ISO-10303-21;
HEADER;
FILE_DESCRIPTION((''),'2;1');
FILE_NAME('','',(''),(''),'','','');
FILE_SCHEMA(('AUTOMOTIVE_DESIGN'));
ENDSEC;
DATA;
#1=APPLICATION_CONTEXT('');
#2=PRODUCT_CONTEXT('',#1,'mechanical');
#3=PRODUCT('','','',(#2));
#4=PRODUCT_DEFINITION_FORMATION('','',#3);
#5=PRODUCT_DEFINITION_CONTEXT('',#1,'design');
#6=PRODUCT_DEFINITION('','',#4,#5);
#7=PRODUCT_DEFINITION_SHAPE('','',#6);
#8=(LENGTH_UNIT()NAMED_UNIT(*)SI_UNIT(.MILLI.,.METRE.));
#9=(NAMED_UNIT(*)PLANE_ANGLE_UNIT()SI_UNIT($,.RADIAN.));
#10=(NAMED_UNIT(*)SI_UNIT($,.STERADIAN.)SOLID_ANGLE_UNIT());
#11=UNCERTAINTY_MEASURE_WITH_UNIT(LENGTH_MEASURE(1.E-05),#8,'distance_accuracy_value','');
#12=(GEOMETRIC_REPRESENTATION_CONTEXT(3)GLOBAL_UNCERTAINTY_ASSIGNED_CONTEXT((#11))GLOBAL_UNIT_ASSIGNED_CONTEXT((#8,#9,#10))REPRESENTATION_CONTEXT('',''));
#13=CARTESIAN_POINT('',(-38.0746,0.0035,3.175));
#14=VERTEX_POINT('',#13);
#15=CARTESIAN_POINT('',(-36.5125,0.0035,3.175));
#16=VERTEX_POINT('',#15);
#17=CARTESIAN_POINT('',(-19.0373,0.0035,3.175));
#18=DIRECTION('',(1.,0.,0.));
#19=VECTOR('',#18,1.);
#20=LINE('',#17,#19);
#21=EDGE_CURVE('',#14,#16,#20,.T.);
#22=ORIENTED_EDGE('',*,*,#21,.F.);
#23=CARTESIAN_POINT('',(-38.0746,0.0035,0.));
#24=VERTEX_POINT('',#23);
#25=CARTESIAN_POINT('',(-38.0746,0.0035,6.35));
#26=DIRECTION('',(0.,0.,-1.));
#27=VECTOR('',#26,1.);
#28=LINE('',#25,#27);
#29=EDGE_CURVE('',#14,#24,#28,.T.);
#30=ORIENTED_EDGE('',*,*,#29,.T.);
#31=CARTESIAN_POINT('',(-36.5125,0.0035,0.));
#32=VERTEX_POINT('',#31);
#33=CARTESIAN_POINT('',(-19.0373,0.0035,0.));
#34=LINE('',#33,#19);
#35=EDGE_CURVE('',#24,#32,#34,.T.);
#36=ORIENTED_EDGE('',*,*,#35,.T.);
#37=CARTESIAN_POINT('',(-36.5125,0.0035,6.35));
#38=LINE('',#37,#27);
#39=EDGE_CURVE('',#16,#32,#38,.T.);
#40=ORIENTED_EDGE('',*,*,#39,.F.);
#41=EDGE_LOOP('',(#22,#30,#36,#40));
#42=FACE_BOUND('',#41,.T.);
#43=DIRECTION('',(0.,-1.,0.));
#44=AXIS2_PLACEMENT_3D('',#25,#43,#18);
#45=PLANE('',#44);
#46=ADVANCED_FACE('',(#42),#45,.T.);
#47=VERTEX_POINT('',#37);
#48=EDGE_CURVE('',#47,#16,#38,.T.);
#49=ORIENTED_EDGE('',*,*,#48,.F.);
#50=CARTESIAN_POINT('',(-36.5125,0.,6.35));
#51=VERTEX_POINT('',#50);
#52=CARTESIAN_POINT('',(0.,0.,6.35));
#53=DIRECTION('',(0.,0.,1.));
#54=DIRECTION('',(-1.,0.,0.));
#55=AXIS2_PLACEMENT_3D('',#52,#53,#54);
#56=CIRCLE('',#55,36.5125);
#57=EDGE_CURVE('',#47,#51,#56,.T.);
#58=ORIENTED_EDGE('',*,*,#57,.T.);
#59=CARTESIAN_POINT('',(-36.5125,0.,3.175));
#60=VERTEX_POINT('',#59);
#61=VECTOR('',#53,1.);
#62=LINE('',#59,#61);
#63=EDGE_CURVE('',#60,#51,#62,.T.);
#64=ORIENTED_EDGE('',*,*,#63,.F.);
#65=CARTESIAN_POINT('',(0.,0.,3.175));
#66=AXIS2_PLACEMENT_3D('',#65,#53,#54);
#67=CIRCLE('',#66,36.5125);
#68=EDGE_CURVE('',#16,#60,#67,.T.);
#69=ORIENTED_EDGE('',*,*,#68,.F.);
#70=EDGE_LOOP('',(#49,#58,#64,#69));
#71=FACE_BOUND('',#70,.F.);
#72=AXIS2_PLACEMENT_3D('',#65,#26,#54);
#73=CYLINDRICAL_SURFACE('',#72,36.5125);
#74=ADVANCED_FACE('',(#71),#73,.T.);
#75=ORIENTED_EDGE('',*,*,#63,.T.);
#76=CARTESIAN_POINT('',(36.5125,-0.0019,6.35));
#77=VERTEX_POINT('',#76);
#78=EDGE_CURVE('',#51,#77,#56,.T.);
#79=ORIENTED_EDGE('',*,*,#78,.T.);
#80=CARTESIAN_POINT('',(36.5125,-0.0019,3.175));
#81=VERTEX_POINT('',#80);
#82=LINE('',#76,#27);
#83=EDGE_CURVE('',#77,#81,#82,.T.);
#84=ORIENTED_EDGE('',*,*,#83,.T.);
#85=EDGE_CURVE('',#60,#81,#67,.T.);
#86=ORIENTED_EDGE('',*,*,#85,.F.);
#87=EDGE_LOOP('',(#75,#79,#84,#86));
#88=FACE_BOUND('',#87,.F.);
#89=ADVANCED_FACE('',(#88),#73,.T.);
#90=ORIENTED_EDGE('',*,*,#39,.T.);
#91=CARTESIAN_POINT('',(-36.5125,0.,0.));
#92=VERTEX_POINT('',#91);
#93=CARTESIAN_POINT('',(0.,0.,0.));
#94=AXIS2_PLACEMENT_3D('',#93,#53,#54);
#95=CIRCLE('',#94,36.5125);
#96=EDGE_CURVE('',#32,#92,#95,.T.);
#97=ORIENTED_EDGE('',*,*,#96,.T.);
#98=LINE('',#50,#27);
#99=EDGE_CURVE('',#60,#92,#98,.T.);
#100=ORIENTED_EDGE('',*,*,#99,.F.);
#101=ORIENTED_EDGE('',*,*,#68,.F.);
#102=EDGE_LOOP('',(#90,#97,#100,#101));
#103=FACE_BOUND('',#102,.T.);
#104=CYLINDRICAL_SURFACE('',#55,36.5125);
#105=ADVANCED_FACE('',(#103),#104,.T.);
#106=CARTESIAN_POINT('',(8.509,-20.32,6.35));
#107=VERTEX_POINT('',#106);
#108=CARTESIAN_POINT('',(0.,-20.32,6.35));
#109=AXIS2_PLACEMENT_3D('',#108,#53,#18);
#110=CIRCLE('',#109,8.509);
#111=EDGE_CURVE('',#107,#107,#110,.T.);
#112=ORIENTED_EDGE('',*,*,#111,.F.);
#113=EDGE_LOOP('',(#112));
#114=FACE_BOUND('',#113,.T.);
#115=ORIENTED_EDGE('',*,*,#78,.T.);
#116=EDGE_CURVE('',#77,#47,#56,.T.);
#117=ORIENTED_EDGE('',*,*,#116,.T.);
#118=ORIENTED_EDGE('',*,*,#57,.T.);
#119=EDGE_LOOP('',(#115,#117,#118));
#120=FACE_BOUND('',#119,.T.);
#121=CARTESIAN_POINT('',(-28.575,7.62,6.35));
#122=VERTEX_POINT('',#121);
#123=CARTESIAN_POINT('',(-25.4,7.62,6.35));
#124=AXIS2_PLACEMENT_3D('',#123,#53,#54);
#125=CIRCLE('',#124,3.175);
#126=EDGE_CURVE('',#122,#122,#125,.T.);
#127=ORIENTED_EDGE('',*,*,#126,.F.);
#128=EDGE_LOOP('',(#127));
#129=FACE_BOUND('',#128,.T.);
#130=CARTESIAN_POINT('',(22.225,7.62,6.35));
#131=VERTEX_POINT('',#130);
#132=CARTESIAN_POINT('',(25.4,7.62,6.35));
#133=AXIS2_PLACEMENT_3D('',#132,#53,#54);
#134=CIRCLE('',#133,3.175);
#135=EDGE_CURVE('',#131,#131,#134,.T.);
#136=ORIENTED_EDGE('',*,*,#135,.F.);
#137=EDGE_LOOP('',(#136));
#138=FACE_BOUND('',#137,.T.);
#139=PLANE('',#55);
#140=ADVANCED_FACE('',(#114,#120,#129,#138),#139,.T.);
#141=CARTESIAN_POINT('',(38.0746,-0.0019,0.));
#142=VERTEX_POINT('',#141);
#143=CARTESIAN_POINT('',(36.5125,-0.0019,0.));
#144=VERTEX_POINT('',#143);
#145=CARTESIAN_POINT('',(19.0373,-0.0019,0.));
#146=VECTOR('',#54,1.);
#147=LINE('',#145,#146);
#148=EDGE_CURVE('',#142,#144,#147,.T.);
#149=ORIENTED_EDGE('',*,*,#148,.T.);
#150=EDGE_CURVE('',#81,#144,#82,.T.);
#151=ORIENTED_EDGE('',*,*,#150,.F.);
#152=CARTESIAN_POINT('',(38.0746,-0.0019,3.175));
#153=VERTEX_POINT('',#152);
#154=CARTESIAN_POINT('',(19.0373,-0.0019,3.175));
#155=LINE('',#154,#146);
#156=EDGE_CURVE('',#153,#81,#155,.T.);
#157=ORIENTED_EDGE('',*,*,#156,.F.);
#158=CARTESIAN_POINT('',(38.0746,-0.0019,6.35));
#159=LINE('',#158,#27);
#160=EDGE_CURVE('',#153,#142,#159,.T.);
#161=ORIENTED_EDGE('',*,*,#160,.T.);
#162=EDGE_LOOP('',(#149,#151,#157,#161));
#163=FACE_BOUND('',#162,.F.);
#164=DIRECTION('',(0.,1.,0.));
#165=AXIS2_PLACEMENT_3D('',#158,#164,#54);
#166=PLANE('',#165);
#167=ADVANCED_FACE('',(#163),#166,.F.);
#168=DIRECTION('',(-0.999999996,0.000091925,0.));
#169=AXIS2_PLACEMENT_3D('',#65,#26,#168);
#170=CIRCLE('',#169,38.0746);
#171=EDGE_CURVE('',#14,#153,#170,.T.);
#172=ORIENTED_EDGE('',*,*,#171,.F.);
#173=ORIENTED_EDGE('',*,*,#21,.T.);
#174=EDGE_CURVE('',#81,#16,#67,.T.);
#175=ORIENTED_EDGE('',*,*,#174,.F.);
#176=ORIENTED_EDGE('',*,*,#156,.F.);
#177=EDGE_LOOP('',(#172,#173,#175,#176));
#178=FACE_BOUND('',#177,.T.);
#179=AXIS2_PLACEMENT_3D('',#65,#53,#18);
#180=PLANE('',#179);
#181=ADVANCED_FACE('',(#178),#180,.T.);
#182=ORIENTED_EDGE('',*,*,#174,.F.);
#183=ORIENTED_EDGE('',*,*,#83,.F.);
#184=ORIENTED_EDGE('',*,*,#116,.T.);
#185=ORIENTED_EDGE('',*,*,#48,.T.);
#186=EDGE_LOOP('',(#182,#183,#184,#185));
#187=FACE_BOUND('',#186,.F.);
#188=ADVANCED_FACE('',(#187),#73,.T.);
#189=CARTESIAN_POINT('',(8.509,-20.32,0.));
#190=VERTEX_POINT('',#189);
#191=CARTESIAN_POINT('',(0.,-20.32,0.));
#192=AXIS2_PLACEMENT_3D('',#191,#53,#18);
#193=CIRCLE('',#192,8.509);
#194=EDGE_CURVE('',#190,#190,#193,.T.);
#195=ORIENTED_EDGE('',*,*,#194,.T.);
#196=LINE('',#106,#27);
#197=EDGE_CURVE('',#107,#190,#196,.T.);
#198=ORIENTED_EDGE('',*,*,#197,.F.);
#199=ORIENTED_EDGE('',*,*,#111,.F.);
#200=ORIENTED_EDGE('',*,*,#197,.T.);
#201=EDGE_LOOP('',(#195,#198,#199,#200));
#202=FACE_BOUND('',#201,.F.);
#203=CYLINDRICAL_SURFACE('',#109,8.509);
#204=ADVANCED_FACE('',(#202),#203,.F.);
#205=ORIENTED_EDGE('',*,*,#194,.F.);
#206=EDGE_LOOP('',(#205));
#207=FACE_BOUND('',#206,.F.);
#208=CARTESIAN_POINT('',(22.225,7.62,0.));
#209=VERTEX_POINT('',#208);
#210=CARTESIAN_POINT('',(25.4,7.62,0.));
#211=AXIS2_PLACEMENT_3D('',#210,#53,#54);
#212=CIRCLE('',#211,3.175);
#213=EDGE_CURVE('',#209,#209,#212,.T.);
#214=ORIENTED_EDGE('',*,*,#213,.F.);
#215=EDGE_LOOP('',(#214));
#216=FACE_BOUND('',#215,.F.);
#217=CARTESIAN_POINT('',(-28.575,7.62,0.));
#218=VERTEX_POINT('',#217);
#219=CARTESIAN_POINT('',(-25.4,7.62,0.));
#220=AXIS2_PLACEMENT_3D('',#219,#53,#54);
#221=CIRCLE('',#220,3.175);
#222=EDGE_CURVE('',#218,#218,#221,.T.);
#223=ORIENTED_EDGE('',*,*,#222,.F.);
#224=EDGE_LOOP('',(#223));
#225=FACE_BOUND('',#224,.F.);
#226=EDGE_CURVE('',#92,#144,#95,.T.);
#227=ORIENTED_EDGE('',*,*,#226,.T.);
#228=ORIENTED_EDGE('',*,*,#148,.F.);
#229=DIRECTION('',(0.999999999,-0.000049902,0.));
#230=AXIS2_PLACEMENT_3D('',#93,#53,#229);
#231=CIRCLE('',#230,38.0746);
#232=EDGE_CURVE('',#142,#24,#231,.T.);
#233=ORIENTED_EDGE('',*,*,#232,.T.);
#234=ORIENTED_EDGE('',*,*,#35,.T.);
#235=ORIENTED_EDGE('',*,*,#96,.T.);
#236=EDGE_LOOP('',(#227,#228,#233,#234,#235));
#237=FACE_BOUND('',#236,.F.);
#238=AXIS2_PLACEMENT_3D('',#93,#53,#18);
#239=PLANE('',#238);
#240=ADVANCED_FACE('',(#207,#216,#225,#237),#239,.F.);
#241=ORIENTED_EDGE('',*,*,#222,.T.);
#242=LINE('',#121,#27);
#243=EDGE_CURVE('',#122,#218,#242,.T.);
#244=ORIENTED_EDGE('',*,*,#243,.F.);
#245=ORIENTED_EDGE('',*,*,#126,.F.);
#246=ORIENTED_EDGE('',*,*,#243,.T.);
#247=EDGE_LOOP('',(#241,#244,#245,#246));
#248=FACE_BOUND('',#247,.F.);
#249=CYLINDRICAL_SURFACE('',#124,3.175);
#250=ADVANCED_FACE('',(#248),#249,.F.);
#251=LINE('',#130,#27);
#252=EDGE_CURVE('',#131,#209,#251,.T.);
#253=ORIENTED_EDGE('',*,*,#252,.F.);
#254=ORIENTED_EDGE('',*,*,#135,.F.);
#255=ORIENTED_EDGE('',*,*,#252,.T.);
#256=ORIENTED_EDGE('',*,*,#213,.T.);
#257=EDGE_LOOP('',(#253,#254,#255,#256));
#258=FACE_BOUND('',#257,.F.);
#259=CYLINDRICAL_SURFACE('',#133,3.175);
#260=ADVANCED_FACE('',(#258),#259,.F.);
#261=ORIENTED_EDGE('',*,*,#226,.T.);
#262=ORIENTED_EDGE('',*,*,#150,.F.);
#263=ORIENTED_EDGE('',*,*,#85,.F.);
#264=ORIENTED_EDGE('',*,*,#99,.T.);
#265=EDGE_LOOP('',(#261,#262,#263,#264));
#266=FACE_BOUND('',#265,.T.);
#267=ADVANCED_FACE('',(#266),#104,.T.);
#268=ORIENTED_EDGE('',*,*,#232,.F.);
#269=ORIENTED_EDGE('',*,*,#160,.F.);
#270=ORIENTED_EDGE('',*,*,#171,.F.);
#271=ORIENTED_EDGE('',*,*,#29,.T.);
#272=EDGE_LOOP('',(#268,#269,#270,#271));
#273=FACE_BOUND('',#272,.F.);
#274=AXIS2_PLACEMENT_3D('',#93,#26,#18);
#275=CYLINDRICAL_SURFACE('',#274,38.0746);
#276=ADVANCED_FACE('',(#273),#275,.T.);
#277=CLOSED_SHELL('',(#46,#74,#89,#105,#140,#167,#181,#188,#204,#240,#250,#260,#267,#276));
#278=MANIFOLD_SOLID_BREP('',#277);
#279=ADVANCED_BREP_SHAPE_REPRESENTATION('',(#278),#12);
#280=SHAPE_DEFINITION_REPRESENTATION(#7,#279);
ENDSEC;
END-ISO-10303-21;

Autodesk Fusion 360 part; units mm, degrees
sketch "Sketch1" plane through (0, 0, 0) normal (0, 0, 1) x (1, 0, 0)
  circle A0 centre (0, 0) radius 38.0746
  dimension "d1" = 76.1492
extrude "Extrude1" add sketch "Sketch1" along normal blind 3.175
sketch "Sketch2" plane through (0, 0, 3.175) normal (0, 0, 1) x (-1, 0, 0)
  circle A0 centre (0, 0) radius 38.0746
  circle A1 centre (0, 0) radius 36.5125
  dimension "d4" = 73.025
extrude "Extrude2" add sketch "Sketch2" along normal blind 3.175 contours A1
sketch "Sketch3" plane through (0, 0, 6.35) normal (0, 0, 1) x (-1, 0, 0)
  circle A0 centre (0, 0) radius 36.5125
  circle A1 centre (25.4, -7.62) radius 3.175
  circle A2 centre (-25.4, -7.62) radius 3.175
  circle A3 centre (0, 20.6756) radius 5.08
  circle A4 centre (0, 0) radius 38.0746
  dimension "d7" = 50.8
  dimension "d8" = 25.4
  dimension "d9" = 7.62
  dimension "d10" = 6.35
  dimension "d11" = 6.35
  dimension "d12" = 10.16
  dimension "d13" = 20.6756
extrude "Extrude3" cut sketch "Sketch3" against normal blind 6.35 contours A1 | A2 | A3
sketch "Sketch4" plane through (0, 0, 6.35) normal (0, 0, 1) x (-1, 0, 0)
  circle A0 centre (-25.4, -7.62) radius 3.175
  circle A1 centre (0, 20.6756) radius 5.08
  circle A2 centre (25.4, -7.62) radius 3.175
  circle A3 centre (0, 0) radius 36.5125
  line L0 (38.0746, -0.0035) -> (36.5125, -0.0035)
  line L1 (-38.0746, 0.0019) -> (-36.5125, 0.0019)
  arc A4 (38.0746, -0.0035) -> (-38.0746, 0.0019) centre (0, 0) ccw
  arc A5 (36.5125, -0.0035) -> (-36.5125, 0.0019) centre (0, 0) ccw
  circle A6 centre (0, 20.6756) radius 8.509
  dimension "d16" = 76.1492
  dimension "d17" = 73.025
  dimension "d19" = 17.018
extrude "Extrude4" cut sketch "Sketch4" against normal through all contours A3 L0 L1 A4 A5
sketch "Sketch6" plane through (0, 0, 6.35) normal (0, 0, 1) x (1, 0, 0)
  circle A0 centre (0, -20.32) radius 8.509
  dimension "d20" = 17.018
extrude "Extrude5" cut sketch "Sketch6" against normal blind 27.94
equation "d2 = ( 0.25 / 2 ) * 1 in"
equation "d5 = ( 0.25 / 2 ) * 1 in"
